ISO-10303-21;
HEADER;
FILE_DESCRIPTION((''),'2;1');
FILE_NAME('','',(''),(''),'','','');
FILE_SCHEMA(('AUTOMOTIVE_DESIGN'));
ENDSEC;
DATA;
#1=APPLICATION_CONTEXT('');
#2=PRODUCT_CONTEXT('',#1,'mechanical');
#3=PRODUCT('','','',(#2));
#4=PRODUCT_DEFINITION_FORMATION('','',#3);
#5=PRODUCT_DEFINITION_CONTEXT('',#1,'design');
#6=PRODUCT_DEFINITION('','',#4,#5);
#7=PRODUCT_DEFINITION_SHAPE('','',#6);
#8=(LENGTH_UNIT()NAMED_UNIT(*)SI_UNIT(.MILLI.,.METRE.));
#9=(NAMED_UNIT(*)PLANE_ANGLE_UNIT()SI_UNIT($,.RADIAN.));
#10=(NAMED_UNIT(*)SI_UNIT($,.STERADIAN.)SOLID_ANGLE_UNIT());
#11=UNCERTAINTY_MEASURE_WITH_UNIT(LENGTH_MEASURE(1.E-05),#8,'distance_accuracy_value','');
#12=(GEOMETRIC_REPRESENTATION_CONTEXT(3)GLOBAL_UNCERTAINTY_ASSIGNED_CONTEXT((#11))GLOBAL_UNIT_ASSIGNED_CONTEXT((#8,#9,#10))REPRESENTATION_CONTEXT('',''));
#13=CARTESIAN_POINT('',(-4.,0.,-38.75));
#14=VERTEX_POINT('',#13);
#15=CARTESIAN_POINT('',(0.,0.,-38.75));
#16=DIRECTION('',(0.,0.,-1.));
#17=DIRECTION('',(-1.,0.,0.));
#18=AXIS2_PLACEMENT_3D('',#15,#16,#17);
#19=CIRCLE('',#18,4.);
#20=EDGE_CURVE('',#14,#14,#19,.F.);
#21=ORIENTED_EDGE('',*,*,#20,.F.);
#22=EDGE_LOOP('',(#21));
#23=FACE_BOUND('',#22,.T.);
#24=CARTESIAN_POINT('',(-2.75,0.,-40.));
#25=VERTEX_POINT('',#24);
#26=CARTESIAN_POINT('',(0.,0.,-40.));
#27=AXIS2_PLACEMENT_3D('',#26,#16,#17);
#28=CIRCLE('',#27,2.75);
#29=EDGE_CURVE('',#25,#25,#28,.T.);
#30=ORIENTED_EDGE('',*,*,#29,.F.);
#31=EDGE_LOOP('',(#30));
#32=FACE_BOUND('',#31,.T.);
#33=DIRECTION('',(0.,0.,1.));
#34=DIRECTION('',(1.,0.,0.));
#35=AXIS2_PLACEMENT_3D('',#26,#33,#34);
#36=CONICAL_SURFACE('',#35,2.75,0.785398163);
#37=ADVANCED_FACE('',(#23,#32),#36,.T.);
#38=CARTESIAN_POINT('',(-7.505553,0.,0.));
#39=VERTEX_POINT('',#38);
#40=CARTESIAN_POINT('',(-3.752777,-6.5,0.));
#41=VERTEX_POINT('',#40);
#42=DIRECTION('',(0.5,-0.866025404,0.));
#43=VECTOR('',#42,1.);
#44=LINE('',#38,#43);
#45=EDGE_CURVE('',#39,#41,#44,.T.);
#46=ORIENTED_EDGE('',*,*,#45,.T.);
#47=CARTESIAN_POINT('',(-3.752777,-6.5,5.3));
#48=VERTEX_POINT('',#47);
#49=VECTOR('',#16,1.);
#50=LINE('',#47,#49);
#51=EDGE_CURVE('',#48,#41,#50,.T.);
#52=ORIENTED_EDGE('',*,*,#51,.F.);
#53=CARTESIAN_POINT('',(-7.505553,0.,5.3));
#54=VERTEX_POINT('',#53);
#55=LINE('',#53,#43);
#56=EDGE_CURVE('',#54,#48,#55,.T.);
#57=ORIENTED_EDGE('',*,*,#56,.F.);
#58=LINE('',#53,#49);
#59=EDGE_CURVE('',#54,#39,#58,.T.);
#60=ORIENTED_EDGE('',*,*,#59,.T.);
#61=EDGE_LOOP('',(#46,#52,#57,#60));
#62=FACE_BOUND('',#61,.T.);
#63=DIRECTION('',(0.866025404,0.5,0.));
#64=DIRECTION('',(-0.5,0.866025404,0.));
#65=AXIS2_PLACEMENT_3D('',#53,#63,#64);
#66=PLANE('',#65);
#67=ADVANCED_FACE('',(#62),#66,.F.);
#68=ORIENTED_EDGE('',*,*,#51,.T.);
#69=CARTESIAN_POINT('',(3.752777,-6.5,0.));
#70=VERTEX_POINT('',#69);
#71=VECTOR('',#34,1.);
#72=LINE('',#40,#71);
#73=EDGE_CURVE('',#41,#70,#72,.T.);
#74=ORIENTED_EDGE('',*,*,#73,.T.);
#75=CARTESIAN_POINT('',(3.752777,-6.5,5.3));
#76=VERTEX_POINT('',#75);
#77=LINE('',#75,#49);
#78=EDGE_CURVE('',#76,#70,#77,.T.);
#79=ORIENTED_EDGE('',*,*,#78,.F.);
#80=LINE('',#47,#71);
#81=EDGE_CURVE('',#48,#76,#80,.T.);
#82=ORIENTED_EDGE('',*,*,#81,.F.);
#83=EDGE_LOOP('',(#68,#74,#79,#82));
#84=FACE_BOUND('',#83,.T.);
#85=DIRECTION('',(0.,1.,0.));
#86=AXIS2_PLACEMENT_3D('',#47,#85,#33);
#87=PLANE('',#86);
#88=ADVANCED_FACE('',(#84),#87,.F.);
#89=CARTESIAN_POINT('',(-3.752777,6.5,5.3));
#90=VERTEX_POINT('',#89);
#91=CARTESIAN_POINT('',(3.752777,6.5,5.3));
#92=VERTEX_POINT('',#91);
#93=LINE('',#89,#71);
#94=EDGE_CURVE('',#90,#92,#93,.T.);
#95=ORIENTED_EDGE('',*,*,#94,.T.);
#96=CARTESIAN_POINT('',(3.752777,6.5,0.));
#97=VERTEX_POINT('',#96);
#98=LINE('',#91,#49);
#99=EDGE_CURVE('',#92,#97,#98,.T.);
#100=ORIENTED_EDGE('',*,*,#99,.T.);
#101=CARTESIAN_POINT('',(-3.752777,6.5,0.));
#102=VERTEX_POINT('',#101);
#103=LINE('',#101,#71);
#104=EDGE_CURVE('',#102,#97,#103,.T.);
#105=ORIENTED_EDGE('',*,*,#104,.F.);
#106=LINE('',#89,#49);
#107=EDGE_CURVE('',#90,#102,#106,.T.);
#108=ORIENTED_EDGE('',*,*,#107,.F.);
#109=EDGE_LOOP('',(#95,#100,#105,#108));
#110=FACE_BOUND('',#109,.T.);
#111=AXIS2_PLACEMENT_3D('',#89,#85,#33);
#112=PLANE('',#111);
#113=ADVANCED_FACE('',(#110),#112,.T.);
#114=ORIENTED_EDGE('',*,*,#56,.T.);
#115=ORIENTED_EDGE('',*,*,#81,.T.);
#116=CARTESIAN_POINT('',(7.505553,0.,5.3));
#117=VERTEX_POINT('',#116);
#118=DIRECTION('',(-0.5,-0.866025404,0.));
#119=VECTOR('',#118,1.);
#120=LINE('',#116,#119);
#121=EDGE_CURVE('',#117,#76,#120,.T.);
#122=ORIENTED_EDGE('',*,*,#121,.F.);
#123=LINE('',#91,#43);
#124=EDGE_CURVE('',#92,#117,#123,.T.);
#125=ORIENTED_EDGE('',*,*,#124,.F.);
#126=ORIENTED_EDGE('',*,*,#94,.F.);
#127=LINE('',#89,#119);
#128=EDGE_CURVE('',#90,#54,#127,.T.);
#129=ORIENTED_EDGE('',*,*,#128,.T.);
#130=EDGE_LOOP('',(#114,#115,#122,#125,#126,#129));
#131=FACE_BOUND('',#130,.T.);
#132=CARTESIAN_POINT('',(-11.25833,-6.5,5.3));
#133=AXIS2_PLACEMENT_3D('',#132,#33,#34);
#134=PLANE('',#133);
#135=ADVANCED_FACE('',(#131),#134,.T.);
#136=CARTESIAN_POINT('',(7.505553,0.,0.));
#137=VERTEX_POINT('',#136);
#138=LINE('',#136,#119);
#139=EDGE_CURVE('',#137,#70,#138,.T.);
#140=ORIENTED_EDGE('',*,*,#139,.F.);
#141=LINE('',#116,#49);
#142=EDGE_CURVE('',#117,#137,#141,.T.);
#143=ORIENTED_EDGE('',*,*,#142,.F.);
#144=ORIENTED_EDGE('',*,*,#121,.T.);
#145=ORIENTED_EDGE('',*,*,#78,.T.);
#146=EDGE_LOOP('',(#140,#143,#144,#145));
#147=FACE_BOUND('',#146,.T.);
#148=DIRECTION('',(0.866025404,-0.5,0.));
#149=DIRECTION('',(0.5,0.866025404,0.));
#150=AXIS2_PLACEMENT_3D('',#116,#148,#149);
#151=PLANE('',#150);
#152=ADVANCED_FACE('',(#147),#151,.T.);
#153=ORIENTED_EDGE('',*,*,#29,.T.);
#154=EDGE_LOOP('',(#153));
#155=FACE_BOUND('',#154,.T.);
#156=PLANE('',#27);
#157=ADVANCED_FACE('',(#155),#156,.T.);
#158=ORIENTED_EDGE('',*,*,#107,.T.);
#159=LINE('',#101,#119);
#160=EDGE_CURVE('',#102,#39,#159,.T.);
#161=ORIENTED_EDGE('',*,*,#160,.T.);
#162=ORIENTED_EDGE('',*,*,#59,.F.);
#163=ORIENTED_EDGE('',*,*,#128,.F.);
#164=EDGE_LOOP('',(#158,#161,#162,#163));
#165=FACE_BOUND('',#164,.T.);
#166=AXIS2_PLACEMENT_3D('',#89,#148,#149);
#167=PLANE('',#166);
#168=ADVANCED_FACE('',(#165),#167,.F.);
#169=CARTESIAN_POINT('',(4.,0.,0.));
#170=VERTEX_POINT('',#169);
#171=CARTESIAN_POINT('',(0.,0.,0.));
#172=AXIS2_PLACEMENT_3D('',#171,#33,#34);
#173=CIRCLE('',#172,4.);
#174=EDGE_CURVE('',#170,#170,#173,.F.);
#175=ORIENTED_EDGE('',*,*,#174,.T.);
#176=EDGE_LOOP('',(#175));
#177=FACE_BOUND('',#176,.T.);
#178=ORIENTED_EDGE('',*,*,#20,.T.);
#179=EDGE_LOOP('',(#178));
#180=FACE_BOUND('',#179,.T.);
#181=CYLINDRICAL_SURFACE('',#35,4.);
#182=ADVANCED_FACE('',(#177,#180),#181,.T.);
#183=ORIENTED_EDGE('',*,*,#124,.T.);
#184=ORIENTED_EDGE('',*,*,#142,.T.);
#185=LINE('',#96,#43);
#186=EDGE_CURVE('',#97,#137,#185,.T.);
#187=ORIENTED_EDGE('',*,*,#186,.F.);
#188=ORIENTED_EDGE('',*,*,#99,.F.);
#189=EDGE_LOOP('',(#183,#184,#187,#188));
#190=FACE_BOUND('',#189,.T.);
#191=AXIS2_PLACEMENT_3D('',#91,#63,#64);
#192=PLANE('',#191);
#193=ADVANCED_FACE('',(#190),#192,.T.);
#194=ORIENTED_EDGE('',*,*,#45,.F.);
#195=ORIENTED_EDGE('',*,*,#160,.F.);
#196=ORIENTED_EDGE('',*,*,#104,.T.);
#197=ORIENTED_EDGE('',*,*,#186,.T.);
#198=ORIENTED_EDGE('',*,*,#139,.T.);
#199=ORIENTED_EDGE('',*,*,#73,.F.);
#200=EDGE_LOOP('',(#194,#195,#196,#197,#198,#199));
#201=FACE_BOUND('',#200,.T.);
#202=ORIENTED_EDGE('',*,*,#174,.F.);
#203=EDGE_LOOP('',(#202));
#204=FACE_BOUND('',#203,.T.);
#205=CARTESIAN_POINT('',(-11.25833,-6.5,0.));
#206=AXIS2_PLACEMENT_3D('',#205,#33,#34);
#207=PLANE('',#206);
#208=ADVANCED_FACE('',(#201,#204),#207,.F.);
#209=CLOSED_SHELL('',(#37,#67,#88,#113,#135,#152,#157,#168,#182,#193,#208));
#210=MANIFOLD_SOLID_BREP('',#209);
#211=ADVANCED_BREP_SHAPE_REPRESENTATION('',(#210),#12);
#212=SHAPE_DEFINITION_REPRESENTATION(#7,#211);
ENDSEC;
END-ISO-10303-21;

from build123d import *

# Parameters (mm, degrees)
BASE_EXTRUDE_DEPTH  = 5.3
SKETCH3_R           = 4
BOSS_EXTRUDE1_DEPTH = 40
CHAMFER1_SIZE       = 1.25


with BuildPart() as part:
    # Sketch1 → Base-Extrude (new body)
    with BuildSketch(Plane.XY):
        Polygon((-3.75277675, 6.5), (3.75277675, 6.5), (7.505553499, 0), (3.75277675, -6.5), (-3.75277675, -6.5), (-7.505553499, 0), align=None)
    extrude(amount=BASE_EXTRUDE_DEPTH)

    # Sketch3 → Boss-Extrude1 (add)
    with BuildSketch(Plane(origin=(0, 0, 0), x_dir=(-1, 0, 0), z_dir=(0, 0, -1))):
        with Locations(Location((0, 0, 0), (0, 0, 180))):
            Circle(SKETCH3_R)
    extrude(amount=BOSS_EXTRUDE1_DEPTH)

    # Chamfer1
    chamfer1_edges = [part.edges().sort_by_distance(p)[0] for p in [
        (-4, 0, -40),
    ]]
    chamfer(chamfer1_edges, length=CHAMFER1_SIZE)


solid = part.part
